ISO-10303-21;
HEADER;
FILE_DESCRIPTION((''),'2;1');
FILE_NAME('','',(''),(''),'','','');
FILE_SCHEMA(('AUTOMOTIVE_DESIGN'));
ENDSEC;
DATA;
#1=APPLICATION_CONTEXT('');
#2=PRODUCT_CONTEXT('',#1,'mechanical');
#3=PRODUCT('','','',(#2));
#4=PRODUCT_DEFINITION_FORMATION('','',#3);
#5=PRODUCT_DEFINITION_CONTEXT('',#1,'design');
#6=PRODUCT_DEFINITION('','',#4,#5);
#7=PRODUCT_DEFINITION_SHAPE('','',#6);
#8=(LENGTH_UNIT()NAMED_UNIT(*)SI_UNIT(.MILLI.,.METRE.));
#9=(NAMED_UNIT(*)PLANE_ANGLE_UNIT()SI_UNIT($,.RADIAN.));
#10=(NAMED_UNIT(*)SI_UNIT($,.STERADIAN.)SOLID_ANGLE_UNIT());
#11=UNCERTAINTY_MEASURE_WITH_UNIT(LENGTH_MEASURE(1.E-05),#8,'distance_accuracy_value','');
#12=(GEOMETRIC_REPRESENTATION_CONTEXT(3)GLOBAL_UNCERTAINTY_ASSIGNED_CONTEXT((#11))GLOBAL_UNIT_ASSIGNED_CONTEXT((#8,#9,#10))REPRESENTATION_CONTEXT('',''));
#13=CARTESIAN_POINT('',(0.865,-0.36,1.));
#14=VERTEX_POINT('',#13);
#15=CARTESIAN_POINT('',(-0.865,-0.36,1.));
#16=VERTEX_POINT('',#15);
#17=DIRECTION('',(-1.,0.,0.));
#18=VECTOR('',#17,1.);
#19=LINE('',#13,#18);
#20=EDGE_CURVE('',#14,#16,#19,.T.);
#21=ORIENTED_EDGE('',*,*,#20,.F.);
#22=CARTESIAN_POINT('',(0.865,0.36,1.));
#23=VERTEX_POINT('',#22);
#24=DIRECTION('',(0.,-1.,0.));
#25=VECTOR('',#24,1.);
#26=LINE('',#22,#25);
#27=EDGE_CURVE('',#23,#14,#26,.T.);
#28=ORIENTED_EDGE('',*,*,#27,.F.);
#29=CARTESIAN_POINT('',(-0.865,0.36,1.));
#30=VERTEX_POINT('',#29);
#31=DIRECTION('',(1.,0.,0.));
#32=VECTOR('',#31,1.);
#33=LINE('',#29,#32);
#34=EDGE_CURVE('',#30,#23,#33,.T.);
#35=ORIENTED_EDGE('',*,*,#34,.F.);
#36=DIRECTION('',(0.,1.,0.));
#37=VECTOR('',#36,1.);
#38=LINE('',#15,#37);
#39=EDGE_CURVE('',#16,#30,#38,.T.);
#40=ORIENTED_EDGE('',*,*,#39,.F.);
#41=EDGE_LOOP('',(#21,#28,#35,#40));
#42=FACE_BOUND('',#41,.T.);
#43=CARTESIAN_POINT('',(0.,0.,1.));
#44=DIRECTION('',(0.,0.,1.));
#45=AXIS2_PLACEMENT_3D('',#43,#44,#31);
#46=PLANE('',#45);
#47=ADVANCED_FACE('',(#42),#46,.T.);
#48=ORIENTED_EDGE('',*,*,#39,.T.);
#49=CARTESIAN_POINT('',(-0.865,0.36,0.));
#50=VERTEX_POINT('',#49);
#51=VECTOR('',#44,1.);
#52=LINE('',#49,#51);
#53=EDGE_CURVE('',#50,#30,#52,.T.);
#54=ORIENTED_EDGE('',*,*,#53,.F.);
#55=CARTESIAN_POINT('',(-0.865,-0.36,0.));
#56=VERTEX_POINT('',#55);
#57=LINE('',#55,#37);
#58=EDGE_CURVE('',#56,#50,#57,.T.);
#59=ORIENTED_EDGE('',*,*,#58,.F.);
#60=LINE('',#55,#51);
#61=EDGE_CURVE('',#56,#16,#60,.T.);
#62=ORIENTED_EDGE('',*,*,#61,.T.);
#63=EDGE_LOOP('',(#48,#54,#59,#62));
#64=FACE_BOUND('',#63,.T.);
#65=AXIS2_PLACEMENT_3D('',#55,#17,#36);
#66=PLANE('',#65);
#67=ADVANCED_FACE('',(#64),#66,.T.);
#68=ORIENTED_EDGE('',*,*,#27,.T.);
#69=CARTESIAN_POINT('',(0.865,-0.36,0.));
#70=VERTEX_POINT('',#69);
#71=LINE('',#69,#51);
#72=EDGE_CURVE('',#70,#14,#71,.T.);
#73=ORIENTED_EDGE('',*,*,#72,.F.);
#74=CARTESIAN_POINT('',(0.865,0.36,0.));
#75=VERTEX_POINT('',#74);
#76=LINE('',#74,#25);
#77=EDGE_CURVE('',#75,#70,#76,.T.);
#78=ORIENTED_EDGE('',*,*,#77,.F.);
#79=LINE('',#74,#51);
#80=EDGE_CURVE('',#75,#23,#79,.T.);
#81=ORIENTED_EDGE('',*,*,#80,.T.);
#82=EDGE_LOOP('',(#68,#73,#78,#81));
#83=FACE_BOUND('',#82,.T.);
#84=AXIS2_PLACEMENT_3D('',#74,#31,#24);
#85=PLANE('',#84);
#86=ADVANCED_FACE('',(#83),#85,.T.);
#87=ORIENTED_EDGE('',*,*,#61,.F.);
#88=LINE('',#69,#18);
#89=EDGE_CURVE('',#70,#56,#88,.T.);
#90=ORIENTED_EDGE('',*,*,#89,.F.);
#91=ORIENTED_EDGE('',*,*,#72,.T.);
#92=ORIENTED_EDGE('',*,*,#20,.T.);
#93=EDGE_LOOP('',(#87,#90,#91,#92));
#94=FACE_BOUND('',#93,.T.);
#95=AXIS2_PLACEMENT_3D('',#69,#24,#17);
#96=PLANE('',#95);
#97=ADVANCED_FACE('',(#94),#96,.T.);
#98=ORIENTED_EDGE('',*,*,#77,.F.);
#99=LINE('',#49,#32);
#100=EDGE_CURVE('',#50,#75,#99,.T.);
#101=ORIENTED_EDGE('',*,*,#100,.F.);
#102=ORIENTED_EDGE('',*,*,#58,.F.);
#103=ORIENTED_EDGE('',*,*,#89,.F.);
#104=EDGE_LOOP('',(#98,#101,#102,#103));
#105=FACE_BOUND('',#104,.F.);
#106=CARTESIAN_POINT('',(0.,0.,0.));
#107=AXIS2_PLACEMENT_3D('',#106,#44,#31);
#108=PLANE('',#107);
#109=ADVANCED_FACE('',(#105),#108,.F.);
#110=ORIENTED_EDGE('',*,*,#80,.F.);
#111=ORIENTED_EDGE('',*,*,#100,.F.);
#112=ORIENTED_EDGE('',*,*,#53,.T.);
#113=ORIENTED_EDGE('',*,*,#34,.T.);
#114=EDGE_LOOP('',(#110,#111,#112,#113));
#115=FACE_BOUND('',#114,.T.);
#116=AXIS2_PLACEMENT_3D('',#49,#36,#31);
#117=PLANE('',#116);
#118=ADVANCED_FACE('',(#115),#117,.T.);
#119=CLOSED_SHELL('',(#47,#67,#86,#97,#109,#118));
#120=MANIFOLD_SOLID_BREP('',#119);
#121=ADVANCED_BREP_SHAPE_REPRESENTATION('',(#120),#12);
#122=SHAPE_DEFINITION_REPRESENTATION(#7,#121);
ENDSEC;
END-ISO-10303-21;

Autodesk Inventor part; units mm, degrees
ref_plane "YZ Plane" through (0, 0, 0) normal (1, 0, 0) x (0, 1, 0)
ref_plane "XZ Plane" through (0, 0, 0) normal (0, 1, 0) x (-1, 0, 0)
ref_plane "XY Plane" through (0, 0, 0) normal (0, 0, 1) x (1, 0, 0)
sketch "RES_0603, RES_0603_166" plane through (0, 0, 0) normal (0, 0, 1) x (1, 0, 0)
  line L0 (-0.865, -0.36) -> (-0.865, 0.36)
  line L1 (-0.865, 0.36) -> (0.865, 0.36)
  line L2 (0.865, 0.36) -> (0.865, -0.36)
  line L3 (0.865, -0.36) -> (-0.865, -0.36)
extrude "Extrusion1" add sketch "RES_0603, RES_0603_166" along normal blind 1
properties part number "RES_0603"
